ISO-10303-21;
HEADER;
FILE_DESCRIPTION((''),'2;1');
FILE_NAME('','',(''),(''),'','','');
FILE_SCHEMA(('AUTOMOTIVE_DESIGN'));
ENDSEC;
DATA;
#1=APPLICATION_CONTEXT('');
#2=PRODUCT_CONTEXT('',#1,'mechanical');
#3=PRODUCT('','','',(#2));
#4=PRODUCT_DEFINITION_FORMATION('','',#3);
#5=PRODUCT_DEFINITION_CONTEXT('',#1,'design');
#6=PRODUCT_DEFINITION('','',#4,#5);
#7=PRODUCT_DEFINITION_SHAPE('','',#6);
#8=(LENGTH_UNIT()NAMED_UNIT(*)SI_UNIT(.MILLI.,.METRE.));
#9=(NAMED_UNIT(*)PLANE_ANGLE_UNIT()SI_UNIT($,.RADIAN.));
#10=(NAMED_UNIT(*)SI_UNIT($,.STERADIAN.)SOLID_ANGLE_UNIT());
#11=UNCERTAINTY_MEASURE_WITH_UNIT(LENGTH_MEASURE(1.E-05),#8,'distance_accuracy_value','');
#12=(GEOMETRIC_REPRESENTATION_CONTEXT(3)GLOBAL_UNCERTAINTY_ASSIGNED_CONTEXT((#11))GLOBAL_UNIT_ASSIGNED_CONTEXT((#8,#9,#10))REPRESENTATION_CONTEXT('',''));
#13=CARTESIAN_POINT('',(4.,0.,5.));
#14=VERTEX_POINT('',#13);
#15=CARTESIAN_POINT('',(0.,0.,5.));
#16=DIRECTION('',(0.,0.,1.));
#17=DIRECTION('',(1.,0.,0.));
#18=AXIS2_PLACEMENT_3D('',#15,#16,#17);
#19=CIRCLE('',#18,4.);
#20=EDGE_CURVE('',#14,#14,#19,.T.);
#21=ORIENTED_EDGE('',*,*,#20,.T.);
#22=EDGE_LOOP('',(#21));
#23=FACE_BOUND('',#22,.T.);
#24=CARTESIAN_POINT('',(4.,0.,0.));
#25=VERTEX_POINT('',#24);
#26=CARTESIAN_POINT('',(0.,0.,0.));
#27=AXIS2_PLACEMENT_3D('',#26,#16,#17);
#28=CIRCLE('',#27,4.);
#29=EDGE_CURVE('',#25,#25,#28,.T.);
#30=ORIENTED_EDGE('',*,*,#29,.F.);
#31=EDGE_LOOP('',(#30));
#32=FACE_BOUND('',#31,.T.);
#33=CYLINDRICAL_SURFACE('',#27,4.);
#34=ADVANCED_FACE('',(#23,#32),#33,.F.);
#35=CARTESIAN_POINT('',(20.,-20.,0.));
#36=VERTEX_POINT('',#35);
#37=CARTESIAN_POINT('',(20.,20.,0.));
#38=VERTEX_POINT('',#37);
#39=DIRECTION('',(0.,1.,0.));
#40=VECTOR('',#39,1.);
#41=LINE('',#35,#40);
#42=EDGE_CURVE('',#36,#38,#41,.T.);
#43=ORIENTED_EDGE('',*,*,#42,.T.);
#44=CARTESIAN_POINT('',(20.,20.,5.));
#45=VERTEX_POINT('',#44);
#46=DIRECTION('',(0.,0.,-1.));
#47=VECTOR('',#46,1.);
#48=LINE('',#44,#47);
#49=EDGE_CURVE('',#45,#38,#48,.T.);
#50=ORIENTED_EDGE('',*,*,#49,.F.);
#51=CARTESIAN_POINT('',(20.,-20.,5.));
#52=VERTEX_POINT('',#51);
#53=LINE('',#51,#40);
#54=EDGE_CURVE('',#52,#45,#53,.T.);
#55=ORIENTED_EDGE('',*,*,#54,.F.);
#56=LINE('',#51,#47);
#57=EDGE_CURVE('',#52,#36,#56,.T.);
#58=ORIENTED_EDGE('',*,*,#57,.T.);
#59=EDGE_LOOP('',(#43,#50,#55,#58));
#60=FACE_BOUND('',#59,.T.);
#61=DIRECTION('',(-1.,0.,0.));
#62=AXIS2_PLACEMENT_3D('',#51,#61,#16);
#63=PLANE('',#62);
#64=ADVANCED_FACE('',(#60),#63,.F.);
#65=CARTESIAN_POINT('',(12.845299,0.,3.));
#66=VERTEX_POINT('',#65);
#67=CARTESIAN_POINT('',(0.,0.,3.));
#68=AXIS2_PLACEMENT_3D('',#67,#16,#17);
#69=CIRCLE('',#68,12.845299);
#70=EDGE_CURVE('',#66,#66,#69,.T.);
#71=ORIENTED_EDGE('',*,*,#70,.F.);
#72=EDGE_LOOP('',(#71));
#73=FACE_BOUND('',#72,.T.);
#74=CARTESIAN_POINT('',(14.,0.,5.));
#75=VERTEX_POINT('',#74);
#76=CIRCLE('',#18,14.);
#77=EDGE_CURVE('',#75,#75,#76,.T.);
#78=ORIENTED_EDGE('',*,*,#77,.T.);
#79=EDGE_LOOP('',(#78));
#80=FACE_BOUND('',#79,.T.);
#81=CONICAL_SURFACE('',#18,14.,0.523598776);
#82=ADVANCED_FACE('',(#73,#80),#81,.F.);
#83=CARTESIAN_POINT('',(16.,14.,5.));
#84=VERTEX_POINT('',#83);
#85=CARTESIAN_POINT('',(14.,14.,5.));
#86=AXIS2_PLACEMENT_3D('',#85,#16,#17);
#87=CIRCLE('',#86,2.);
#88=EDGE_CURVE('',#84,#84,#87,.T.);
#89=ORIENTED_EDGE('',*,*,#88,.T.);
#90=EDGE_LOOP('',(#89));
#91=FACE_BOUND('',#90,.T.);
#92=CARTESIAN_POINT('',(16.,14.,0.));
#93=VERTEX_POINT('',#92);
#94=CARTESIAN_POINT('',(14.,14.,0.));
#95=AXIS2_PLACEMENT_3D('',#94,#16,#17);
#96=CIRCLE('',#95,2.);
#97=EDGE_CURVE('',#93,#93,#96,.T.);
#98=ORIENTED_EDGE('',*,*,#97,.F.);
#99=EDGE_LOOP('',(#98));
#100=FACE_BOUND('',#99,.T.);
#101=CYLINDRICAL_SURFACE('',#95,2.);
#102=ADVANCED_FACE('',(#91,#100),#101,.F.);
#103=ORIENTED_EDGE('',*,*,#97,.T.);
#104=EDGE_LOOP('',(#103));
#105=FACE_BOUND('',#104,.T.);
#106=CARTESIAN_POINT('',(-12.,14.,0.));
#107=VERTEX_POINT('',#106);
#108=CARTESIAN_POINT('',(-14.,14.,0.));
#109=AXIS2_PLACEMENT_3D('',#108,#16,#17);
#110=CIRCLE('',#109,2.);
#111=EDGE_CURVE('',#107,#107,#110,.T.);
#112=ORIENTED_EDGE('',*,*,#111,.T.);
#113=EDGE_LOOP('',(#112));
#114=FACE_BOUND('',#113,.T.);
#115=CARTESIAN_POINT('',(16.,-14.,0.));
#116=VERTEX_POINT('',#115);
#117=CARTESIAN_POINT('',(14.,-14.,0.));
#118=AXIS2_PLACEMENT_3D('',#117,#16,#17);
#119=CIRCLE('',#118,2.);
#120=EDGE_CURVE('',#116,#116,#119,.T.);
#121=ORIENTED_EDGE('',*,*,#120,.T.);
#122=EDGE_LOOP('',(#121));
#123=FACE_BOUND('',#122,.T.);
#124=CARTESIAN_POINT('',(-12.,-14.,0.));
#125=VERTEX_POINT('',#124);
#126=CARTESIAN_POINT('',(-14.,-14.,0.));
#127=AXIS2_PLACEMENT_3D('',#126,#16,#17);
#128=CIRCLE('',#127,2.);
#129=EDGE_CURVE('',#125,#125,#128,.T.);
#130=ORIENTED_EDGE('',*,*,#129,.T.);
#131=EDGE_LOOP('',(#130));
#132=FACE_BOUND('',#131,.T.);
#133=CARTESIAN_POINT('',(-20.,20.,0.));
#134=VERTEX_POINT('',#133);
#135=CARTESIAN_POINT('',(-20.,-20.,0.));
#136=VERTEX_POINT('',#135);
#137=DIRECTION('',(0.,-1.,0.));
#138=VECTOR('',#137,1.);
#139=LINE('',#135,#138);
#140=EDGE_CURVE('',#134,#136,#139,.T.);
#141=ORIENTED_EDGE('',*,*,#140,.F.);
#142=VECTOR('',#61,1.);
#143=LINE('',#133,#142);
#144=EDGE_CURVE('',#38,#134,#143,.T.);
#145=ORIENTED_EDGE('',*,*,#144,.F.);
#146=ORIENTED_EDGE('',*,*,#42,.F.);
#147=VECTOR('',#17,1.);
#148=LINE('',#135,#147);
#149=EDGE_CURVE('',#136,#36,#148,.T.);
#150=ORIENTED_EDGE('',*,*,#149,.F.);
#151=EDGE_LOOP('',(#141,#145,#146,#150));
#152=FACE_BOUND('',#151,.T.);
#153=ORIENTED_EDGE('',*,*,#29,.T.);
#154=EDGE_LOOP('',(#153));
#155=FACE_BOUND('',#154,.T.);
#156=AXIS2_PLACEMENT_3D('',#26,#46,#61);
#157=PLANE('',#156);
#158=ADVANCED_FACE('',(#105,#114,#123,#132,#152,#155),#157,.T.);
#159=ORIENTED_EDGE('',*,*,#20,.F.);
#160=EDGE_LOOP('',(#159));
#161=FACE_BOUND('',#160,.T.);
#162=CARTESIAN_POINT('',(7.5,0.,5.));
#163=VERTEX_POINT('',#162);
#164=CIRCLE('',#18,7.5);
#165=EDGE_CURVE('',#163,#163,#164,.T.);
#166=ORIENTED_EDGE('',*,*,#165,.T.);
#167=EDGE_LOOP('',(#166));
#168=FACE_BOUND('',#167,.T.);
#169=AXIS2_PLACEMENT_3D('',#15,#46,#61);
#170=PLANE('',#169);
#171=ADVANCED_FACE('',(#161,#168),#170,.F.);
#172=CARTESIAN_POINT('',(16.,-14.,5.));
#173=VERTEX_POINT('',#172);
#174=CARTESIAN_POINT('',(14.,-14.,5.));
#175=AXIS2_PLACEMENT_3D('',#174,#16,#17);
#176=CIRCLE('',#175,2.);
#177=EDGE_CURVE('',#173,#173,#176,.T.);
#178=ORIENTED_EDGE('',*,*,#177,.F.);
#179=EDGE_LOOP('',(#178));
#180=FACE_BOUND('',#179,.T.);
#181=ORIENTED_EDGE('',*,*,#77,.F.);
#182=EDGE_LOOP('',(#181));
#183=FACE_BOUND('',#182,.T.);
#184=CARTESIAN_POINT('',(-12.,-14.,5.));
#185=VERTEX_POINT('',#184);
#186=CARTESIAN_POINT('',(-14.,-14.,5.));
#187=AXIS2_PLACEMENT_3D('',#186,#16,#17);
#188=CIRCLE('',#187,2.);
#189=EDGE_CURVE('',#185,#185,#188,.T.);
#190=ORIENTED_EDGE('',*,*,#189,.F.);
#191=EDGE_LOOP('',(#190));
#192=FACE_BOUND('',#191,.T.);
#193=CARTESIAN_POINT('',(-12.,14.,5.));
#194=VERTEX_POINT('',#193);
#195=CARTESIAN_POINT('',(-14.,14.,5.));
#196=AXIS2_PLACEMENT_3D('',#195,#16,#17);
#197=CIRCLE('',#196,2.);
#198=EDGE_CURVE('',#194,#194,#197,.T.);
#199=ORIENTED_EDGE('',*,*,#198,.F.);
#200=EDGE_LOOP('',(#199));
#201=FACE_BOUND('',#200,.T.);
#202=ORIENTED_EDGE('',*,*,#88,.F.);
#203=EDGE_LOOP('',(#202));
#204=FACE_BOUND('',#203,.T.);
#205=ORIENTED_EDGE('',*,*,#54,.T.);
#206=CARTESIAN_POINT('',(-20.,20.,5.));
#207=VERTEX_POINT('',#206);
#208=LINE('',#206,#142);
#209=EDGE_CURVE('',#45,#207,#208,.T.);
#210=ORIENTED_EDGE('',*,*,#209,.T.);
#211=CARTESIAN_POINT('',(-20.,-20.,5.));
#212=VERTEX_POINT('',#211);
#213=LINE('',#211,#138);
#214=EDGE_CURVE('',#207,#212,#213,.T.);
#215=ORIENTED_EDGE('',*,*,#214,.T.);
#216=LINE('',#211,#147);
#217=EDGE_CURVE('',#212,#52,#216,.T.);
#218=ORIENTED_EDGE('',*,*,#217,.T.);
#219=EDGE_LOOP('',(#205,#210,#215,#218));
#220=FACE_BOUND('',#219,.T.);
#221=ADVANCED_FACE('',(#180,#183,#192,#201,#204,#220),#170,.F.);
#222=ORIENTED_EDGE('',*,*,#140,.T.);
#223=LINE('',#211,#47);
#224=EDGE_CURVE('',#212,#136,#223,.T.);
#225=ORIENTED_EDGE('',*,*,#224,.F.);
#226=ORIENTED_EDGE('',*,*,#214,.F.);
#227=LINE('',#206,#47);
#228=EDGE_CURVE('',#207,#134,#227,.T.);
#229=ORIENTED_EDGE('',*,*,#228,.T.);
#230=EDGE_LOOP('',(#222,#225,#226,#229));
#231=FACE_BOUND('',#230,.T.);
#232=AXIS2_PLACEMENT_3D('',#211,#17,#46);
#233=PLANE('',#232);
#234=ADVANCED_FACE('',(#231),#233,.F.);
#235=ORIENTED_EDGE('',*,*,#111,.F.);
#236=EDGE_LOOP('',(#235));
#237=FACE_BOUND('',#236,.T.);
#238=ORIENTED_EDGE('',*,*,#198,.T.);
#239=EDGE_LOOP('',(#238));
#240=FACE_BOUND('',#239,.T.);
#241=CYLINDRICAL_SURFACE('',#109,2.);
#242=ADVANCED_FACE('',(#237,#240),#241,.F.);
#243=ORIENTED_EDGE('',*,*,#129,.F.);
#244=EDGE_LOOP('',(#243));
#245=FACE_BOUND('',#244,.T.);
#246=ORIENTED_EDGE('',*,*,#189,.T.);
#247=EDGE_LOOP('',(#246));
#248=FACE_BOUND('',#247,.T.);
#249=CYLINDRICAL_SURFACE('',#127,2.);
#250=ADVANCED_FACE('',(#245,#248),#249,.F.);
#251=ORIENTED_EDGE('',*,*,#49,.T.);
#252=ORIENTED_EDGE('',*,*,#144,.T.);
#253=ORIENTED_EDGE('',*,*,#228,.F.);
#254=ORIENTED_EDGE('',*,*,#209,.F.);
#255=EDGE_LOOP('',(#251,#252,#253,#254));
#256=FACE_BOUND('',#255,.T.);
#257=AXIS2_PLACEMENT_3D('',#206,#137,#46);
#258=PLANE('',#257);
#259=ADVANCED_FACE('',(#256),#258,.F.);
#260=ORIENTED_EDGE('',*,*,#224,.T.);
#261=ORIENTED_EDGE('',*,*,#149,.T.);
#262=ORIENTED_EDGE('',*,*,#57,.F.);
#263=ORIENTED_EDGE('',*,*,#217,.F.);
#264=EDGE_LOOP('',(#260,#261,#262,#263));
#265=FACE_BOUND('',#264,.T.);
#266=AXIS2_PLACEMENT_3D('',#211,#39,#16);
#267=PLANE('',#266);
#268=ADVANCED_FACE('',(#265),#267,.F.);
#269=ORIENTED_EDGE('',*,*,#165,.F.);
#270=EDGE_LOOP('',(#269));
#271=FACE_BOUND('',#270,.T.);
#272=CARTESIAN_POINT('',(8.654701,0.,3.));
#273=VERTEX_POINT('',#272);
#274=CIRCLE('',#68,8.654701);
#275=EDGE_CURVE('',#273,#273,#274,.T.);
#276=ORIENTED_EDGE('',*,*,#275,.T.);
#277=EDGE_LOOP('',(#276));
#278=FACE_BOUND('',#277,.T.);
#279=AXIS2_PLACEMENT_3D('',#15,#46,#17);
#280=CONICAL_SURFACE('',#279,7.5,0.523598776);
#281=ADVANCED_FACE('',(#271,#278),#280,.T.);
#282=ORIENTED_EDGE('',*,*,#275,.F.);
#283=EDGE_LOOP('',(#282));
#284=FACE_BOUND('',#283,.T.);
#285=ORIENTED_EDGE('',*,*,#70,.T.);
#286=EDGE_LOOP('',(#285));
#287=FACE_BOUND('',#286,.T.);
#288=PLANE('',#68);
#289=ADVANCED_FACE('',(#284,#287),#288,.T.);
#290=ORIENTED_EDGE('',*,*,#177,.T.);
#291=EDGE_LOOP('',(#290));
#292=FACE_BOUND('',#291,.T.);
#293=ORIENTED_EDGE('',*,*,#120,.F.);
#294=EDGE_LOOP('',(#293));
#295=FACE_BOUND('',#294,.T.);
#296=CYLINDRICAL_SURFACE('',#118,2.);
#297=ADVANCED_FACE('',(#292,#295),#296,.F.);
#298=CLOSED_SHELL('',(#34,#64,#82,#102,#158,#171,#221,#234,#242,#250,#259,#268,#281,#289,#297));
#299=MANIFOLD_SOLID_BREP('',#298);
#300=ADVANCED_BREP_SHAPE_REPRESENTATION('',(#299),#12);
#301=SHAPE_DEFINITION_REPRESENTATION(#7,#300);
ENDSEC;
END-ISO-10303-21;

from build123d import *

# Parameters (mm, degrees)
SKETCH1_W           = 40
SKETCH1_H           = 40
BOSS_EXTRUDE1_DEPTH = 5
SKETCH2_R           = 14
SKETCH2_R_2         = 7.5
CUT_EXTRUDE1_DEPTH  = 2
CUT_EXTRUDE1_TAPER  = 30
SKETCH3_R           = 4
CUT_EXTRUDE2_DEPTH  = 6
SKETCH4_R           = 2
CUT_EXTRUDE3_DEPTH  = 6


with BuildPart() as part:
    # Sketch1 → Boss-Extrude1 (new body)
    with BuildSketch(Plane.XY):
        Rectangle(SKETCH1_W, SKETCH1_H)
    extrude(amount=BOSS_EXTRUDE1_DEPTH)

    # Sketch2 → Cut-Extrude1 (cut)
    with BuildSketch(Plane.XY.offset(5)):
        Circle(SKETCH2_R)
        Circle(SKETCH2_R_2, mode=Mode.SUBTRACT)
    extrude(amount=-CUT_EXTRUDE1_DEPTH, taper=CUT_EXTRUDE1_TAPER, mode=Mode.SUBTRACT)

    # Sketch3 → Cut-Extrude2 (cut, through all)
    with BuildSketch(Plane.XY.offset(5)):
        Circle(SKETCH3_R)
    extrude(amount=-CUT_EXTRUDE2_DEPTH, mode=Mode.SUBTRACT)

    # Sketch4 → Cut-Extrude3 (cut, through all)
    with BuildSketch(Plane.XY.offset(5)):
        with Locations((-14, 14)):
            Circle(SKETCH4_R)
        with Locations((14, 14)):
            Circle(SKETCH4_R)
        with Locations((14, -14)):
            Circle(SKETCH4_R)
        with Locations((-14, -14)):
            Circle(SKETCH4_R)
    extrude(amount=-CUT_EXTRUDE3_DEPTH, mode=Mode.SUBTRACT)


solid = part.part
